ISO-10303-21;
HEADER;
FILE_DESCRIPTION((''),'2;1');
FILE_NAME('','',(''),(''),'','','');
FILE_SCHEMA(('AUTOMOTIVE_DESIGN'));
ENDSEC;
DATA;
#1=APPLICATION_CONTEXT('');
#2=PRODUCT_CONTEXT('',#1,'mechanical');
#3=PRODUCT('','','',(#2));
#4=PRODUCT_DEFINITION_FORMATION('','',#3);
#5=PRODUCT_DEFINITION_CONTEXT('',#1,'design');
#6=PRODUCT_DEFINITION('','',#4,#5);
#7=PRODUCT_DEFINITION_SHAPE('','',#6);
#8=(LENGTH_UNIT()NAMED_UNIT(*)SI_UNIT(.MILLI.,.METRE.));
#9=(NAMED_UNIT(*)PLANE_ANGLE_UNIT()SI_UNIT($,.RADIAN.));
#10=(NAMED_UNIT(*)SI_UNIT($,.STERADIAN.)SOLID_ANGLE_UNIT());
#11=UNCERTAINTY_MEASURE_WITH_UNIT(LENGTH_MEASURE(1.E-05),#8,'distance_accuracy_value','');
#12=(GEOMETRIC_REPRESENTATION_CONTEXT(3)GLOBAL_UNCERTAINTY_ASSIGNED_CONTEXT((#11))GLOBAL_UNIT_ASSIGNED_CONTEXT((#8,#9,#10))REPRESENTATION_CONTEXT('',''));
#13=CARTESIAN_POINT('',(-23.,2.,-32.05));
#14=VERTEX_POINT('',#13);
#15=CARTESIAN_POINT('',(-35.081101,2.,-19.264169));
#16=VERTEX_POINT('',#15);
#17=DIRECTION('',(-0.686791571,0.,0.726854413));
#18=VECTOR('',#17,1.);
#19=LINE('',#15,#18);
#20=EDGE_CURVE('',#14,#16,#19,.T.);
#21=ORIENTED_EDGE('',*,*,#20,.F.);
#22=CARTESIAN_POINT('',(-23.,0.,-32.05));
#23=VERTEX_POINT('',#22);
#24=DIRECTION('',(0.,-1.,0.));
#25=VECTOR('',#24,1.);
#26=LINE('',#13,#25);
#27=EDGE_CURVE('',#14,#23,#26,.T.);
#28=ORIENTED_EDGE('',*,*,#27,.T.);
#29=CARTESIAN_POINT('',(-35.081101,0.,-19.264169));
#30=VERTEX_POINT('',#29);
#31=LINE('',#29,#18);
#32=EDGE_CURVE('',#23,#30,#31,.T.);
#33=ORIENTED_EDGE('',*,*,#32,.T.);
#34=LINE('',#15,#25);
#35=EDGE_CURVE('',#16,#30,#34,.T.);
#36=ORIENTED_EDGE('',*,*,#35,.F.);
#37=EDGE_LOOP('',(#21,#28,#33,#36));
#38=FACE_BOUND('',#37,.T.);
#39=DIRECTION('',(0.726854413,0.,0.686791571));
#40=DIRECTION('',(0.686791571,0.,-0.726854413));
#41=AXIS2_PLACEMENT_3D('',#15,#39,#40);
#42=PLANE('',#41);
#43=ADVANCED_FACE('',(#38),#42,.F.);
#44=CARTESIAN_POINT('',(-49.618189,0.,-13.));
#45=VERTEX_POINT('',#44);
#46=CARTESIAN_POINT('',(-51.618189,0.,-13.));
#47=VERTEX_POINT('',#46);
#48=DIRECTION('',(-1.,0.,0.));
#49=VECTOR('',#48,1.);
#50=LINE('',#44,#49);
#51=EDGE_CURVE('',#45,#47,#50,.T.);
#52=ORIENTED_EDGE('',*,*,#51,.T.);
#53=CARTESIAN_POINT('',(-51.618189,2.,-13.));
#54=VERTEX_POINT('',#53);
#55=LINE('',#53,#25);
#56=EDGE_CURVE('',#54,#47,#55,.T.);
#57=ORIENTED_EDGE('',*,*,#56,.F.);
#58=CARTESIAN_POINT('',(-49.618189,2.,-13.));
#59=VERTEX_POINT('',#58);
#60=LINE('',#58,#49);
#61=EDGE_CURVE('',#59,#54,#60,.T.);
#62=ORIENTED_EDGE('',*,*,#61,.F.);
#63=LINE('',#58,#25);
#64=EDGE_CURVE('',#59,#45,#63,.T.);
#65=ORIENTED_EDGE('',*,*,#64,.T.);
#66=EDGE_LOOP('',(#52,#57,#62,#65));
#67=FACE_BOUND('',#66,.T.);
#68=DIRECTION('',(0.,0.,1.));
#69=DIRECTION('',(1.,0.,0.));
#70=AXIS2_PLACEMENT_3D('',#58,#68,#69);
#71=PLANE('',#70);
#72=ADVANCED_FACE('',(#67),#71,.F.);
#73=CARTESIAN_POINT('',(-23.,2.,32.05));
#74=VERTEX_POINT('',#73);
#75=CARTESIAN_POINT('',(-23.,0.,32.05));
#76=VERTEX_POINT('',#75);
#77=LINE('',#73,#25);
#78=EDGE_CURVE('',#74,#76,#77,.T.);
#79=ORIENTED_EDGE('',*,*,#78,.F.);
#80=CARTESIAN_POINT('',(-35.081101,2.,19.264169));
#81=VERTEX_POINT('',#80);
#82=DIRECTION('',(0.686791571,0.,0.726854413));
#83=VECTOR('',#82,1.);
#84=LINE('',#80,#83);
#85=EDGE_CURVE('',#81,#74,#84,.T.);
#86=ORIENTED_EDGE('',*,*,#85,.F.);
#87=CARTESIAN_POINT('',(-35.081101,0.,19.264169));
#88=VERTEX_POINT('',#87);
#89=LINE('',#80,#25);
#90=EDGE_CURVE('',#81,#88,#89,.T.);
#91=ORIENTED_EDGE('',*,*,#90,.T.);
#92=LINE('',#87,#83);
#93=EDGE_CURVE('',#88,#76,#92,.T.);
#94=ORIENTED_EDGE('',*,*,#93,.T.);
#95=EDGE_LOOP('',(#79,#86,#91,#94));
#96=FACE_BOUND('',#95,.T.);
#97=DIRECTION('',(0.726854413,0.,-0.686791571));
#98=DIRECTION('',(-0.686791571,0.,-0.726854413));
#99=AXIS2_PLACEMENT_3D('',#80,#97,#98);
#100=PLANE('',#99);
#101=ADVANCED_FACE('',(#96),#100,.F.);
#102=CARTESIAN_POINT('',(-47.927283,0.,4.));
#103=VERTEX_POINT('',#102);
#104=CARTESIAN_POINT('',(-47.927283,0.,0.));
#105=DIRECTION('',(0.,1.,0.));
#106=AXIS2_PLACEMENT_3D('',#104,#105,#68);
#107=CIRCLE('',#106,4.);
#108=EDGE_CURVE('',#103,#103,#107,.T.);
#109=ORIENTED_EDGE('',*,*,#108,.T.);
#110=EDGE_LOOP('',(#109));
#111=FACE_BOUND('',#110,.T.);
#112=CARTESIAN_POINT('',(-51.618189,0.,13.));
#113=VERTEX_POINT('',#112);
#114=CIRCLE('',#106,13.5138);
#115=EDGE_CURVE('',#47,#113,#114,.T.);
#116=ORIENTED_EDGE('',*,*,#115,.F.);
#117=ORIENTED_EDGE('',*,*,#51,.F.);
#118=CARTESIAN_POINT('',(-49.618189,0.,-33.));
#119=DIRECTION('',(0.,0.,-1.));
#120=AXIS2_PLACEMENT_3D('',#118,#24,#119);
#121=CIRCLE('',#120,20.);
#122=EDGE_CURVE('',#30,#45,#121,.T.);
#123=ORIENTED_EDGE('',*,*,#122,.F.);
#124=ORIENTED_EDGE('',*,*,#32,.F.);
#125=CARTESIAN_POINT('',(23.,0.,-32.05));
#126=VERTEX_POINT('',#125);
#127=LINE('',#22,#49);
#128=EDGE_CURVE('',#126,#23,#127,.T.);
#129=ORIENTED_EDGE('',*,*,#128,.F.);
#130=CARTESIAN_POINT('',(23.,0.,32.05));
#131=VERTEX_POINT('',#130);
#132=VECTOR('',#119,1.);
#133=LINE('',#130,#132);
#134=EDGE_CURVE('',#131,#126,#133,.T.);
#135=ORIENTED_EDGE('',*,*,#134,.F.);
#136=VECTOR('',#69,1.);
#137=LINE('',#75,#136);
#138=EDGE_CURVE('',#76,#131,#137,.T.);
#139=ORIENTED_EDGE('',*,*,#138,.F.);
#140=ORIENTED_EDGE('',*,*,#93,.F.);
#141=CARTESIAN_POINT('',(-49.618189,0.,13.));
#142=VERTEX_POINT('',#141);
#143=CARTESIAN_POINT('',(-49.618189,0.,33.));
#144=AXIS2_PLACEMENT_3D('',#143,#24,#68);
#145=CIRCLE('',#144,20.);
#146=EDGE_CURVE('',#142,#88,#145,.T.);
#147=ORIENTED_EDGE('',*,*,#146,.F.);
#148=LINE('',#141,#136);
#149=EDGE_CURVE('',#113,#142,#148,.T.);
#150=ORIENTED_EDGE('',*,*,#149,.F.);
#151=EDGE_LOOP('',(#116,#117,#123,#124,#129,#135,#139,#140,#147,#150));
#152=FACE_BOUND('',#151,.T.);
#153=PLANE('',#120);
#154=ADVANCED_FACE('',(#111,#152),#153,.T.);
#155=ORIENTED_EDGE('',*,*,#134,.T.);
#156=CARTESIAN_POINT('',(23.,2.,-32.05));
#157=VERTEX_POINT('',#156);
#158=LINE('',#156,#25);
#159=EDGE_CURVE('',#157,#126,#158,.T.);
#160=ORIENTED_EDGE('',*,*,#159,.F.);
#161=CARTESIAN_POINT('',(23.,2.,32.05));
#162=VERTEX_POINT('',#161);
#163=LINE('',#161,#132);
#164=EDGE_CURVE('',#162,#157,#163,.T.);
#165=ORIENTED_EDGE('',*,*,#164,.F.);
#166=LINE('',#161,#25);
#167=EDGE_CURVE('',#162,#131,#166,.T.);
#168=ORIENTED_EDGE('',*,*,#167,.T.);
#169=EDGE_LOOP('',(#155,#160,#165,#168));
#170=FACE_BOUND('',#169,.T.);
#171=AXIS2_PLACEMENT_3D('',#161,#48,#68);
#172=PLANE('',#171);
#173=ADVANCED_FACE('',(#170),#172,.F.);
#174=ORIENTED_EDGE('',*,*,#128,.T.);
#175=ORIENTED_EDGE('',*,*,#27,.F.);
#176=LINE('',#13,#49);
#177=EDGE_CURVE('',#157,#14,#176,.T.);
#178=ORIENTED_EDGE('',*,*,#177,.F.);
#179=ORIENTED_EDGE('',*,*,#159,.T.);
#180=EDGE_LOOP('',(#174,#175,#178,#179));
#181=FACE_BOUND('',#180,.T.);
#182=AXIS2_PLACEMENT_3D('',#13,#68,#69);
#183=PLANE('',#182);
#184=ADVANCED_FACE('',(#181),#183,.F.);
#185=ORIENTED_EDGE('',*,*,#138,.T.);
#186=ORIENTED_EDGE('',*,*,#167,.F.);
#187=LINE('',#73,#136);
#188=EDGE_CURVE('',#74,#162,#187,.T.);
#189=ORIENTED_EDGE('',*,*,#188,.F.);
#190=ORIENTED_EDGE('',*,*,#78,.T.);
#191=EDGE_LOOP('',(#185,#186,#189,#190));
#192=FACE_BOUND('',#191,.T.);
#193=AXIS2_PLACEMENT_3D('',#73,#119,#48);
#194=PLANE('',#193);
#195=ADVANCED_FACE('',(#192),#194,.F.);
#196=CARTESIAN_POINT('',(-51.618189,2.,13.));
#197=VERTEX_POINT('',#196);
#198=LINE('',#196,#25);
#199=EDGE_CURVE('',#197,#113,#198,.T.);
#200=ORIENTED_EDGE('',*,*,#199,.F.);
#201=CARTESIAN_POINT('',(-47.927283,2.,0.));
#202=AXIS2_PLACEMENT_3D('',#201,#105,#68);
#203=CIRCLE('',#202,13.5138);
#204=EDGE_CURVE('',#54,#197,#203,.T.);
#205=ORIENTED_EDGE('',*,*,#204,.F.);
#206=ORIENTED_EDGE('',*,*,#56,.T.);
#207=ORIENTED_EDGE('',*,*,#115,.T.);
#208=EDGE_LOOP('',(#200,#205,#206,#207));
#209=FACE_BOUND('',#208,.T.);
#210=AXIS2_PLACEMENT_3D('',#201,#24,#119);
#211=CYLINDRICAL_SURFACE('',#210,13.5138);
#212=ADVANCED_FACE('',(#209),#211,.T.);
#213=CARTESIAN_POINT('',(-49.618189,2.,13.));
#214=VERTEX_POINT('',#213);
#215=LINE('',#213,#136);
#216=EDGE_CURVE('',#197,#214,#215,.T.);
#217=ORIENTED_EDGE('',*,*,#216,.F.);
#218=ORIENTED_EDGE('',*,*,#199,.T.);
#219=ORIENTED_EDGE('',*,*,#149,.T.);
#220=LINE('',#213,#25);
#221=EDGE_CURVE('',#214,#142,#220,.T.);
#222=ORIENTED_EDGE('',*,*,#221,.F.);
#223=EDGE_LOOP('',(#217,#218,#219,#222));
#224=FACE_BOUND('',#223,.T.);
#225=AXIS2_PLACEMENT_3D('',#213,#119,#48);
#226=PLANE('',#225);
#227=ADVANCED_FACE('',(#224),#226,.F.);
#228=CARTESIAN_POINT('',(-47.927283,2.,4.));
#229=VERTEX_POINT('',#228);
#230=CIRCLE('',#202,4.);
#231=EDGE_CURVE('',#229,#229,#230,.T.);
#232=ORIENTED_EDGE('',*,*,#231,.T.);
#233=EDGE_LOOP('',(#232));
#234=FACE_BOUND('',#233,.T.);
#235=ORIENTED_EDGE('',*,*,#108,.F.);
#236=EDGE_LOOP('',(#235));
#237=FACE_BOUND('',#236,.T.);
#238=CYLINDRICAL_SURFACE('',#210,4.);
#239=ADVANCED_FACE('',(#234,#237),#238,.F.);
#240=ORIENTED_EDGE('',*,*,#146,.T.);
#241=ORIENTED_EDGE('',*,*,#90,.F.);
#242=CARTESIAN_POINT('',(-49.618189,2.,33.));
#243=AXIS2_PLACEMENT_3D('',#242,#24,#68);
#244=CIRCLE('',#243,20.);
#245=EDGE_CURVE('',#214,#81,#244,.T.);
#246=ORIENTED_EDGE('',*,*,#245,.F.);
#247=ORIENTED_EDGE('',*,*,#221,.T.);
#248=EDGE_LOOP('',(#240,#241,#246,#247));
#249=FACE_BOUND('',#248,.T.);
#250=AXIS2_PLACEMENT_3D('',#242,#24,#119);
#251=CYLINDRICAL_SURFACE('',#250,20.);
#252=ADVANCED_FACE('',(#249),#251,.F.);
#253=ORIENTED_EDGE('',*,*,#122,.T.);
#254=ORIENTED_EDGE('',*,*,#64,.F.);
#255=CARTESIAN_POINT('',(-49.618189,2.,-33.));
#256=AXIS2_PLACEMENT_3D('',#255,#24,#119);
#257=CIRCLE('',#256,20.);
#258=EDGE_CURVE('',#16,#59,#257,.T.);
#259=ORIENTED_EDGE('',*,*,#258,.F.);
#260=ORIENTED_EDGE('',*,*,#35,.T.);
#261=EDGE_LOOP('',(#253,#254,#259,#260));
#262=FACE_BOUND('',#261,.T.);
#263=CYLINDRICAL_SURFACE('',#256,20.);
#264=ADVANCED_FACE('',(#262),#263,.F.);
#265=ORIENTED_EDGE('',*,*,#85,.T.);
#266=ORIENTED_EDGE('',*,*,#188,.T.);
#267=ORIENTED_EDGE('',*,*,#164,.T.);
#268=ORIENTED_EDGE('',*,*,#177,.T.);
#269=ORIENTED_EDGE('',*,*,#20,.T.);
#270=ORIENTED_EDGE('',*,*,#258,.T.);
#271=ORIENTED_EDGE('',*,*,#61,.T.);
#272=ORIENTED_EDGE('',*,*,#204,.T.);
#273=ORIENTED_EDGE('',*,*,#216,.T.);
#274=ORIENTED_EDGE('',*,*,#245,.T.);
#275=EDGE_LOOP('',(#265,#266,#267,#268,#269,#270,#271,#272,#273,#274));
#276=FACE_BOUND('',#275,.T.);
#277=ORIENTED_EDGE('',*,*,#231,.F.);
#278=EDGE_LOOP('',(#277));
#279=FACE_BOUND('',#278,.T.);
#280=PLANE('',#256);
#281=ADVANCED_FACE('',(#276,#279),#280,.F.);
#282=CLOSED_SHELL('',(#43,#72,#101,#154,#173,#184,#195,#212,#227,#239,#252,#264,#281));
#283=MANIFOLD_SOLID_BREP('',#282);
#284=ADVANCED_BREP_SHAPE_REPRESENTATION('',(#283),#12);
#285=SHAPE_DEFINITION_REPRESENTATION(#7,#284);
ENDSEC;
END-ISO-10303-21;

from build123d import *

# Parameters (mm, degrees)
SKETCH_1_R      = 4
EXTRUDE_1_DEPTH = 2


with BuildPart() as part:
    # 草图1 → 凸台-拉伸1 (new body)
    with BuildSketch(Plane(origin=(0, 0, 0), x_dir=(1, 0, 0), z_dir=(0, 1, 0))):
        with BuildLine():
            Line((-49.618188819, -13), (-51.618188819, -13))
            ThreePointArc((-51.618188819, -13), (-61.441082992, 0), (-51.618188819, 13))
            Line((-51.618188819, 13), (-49.618188819, 13))
            ThreePointArc((-49.618188819, 13), (-41.703538748, 14.632683531), (-35.08110056, 19.264168574))
            Line((-35.08110056, 19.264168574), (-23, 32.05))
            Line((-23, 32.05), (23, 32.05))
            Line((23, 32.05), (23, -32.05))
            Line((23, -32.05), (-23, -32.05))
            Line((-23, -32.05), (-35.08110056, -19.264168574))
            ThreePointArc((-35.08110056, -19.264168574), (-41.703538748, -14.632683531), (-49.618188819, -13))
        make_face()
        with Locations((-47.927283228, 0)):
            Circle(SKETCH_1_R, mode=Mode.SUBTRACT)
    extrude(amount=EXTRUDE_1_DEPTH)


solid = part.part
